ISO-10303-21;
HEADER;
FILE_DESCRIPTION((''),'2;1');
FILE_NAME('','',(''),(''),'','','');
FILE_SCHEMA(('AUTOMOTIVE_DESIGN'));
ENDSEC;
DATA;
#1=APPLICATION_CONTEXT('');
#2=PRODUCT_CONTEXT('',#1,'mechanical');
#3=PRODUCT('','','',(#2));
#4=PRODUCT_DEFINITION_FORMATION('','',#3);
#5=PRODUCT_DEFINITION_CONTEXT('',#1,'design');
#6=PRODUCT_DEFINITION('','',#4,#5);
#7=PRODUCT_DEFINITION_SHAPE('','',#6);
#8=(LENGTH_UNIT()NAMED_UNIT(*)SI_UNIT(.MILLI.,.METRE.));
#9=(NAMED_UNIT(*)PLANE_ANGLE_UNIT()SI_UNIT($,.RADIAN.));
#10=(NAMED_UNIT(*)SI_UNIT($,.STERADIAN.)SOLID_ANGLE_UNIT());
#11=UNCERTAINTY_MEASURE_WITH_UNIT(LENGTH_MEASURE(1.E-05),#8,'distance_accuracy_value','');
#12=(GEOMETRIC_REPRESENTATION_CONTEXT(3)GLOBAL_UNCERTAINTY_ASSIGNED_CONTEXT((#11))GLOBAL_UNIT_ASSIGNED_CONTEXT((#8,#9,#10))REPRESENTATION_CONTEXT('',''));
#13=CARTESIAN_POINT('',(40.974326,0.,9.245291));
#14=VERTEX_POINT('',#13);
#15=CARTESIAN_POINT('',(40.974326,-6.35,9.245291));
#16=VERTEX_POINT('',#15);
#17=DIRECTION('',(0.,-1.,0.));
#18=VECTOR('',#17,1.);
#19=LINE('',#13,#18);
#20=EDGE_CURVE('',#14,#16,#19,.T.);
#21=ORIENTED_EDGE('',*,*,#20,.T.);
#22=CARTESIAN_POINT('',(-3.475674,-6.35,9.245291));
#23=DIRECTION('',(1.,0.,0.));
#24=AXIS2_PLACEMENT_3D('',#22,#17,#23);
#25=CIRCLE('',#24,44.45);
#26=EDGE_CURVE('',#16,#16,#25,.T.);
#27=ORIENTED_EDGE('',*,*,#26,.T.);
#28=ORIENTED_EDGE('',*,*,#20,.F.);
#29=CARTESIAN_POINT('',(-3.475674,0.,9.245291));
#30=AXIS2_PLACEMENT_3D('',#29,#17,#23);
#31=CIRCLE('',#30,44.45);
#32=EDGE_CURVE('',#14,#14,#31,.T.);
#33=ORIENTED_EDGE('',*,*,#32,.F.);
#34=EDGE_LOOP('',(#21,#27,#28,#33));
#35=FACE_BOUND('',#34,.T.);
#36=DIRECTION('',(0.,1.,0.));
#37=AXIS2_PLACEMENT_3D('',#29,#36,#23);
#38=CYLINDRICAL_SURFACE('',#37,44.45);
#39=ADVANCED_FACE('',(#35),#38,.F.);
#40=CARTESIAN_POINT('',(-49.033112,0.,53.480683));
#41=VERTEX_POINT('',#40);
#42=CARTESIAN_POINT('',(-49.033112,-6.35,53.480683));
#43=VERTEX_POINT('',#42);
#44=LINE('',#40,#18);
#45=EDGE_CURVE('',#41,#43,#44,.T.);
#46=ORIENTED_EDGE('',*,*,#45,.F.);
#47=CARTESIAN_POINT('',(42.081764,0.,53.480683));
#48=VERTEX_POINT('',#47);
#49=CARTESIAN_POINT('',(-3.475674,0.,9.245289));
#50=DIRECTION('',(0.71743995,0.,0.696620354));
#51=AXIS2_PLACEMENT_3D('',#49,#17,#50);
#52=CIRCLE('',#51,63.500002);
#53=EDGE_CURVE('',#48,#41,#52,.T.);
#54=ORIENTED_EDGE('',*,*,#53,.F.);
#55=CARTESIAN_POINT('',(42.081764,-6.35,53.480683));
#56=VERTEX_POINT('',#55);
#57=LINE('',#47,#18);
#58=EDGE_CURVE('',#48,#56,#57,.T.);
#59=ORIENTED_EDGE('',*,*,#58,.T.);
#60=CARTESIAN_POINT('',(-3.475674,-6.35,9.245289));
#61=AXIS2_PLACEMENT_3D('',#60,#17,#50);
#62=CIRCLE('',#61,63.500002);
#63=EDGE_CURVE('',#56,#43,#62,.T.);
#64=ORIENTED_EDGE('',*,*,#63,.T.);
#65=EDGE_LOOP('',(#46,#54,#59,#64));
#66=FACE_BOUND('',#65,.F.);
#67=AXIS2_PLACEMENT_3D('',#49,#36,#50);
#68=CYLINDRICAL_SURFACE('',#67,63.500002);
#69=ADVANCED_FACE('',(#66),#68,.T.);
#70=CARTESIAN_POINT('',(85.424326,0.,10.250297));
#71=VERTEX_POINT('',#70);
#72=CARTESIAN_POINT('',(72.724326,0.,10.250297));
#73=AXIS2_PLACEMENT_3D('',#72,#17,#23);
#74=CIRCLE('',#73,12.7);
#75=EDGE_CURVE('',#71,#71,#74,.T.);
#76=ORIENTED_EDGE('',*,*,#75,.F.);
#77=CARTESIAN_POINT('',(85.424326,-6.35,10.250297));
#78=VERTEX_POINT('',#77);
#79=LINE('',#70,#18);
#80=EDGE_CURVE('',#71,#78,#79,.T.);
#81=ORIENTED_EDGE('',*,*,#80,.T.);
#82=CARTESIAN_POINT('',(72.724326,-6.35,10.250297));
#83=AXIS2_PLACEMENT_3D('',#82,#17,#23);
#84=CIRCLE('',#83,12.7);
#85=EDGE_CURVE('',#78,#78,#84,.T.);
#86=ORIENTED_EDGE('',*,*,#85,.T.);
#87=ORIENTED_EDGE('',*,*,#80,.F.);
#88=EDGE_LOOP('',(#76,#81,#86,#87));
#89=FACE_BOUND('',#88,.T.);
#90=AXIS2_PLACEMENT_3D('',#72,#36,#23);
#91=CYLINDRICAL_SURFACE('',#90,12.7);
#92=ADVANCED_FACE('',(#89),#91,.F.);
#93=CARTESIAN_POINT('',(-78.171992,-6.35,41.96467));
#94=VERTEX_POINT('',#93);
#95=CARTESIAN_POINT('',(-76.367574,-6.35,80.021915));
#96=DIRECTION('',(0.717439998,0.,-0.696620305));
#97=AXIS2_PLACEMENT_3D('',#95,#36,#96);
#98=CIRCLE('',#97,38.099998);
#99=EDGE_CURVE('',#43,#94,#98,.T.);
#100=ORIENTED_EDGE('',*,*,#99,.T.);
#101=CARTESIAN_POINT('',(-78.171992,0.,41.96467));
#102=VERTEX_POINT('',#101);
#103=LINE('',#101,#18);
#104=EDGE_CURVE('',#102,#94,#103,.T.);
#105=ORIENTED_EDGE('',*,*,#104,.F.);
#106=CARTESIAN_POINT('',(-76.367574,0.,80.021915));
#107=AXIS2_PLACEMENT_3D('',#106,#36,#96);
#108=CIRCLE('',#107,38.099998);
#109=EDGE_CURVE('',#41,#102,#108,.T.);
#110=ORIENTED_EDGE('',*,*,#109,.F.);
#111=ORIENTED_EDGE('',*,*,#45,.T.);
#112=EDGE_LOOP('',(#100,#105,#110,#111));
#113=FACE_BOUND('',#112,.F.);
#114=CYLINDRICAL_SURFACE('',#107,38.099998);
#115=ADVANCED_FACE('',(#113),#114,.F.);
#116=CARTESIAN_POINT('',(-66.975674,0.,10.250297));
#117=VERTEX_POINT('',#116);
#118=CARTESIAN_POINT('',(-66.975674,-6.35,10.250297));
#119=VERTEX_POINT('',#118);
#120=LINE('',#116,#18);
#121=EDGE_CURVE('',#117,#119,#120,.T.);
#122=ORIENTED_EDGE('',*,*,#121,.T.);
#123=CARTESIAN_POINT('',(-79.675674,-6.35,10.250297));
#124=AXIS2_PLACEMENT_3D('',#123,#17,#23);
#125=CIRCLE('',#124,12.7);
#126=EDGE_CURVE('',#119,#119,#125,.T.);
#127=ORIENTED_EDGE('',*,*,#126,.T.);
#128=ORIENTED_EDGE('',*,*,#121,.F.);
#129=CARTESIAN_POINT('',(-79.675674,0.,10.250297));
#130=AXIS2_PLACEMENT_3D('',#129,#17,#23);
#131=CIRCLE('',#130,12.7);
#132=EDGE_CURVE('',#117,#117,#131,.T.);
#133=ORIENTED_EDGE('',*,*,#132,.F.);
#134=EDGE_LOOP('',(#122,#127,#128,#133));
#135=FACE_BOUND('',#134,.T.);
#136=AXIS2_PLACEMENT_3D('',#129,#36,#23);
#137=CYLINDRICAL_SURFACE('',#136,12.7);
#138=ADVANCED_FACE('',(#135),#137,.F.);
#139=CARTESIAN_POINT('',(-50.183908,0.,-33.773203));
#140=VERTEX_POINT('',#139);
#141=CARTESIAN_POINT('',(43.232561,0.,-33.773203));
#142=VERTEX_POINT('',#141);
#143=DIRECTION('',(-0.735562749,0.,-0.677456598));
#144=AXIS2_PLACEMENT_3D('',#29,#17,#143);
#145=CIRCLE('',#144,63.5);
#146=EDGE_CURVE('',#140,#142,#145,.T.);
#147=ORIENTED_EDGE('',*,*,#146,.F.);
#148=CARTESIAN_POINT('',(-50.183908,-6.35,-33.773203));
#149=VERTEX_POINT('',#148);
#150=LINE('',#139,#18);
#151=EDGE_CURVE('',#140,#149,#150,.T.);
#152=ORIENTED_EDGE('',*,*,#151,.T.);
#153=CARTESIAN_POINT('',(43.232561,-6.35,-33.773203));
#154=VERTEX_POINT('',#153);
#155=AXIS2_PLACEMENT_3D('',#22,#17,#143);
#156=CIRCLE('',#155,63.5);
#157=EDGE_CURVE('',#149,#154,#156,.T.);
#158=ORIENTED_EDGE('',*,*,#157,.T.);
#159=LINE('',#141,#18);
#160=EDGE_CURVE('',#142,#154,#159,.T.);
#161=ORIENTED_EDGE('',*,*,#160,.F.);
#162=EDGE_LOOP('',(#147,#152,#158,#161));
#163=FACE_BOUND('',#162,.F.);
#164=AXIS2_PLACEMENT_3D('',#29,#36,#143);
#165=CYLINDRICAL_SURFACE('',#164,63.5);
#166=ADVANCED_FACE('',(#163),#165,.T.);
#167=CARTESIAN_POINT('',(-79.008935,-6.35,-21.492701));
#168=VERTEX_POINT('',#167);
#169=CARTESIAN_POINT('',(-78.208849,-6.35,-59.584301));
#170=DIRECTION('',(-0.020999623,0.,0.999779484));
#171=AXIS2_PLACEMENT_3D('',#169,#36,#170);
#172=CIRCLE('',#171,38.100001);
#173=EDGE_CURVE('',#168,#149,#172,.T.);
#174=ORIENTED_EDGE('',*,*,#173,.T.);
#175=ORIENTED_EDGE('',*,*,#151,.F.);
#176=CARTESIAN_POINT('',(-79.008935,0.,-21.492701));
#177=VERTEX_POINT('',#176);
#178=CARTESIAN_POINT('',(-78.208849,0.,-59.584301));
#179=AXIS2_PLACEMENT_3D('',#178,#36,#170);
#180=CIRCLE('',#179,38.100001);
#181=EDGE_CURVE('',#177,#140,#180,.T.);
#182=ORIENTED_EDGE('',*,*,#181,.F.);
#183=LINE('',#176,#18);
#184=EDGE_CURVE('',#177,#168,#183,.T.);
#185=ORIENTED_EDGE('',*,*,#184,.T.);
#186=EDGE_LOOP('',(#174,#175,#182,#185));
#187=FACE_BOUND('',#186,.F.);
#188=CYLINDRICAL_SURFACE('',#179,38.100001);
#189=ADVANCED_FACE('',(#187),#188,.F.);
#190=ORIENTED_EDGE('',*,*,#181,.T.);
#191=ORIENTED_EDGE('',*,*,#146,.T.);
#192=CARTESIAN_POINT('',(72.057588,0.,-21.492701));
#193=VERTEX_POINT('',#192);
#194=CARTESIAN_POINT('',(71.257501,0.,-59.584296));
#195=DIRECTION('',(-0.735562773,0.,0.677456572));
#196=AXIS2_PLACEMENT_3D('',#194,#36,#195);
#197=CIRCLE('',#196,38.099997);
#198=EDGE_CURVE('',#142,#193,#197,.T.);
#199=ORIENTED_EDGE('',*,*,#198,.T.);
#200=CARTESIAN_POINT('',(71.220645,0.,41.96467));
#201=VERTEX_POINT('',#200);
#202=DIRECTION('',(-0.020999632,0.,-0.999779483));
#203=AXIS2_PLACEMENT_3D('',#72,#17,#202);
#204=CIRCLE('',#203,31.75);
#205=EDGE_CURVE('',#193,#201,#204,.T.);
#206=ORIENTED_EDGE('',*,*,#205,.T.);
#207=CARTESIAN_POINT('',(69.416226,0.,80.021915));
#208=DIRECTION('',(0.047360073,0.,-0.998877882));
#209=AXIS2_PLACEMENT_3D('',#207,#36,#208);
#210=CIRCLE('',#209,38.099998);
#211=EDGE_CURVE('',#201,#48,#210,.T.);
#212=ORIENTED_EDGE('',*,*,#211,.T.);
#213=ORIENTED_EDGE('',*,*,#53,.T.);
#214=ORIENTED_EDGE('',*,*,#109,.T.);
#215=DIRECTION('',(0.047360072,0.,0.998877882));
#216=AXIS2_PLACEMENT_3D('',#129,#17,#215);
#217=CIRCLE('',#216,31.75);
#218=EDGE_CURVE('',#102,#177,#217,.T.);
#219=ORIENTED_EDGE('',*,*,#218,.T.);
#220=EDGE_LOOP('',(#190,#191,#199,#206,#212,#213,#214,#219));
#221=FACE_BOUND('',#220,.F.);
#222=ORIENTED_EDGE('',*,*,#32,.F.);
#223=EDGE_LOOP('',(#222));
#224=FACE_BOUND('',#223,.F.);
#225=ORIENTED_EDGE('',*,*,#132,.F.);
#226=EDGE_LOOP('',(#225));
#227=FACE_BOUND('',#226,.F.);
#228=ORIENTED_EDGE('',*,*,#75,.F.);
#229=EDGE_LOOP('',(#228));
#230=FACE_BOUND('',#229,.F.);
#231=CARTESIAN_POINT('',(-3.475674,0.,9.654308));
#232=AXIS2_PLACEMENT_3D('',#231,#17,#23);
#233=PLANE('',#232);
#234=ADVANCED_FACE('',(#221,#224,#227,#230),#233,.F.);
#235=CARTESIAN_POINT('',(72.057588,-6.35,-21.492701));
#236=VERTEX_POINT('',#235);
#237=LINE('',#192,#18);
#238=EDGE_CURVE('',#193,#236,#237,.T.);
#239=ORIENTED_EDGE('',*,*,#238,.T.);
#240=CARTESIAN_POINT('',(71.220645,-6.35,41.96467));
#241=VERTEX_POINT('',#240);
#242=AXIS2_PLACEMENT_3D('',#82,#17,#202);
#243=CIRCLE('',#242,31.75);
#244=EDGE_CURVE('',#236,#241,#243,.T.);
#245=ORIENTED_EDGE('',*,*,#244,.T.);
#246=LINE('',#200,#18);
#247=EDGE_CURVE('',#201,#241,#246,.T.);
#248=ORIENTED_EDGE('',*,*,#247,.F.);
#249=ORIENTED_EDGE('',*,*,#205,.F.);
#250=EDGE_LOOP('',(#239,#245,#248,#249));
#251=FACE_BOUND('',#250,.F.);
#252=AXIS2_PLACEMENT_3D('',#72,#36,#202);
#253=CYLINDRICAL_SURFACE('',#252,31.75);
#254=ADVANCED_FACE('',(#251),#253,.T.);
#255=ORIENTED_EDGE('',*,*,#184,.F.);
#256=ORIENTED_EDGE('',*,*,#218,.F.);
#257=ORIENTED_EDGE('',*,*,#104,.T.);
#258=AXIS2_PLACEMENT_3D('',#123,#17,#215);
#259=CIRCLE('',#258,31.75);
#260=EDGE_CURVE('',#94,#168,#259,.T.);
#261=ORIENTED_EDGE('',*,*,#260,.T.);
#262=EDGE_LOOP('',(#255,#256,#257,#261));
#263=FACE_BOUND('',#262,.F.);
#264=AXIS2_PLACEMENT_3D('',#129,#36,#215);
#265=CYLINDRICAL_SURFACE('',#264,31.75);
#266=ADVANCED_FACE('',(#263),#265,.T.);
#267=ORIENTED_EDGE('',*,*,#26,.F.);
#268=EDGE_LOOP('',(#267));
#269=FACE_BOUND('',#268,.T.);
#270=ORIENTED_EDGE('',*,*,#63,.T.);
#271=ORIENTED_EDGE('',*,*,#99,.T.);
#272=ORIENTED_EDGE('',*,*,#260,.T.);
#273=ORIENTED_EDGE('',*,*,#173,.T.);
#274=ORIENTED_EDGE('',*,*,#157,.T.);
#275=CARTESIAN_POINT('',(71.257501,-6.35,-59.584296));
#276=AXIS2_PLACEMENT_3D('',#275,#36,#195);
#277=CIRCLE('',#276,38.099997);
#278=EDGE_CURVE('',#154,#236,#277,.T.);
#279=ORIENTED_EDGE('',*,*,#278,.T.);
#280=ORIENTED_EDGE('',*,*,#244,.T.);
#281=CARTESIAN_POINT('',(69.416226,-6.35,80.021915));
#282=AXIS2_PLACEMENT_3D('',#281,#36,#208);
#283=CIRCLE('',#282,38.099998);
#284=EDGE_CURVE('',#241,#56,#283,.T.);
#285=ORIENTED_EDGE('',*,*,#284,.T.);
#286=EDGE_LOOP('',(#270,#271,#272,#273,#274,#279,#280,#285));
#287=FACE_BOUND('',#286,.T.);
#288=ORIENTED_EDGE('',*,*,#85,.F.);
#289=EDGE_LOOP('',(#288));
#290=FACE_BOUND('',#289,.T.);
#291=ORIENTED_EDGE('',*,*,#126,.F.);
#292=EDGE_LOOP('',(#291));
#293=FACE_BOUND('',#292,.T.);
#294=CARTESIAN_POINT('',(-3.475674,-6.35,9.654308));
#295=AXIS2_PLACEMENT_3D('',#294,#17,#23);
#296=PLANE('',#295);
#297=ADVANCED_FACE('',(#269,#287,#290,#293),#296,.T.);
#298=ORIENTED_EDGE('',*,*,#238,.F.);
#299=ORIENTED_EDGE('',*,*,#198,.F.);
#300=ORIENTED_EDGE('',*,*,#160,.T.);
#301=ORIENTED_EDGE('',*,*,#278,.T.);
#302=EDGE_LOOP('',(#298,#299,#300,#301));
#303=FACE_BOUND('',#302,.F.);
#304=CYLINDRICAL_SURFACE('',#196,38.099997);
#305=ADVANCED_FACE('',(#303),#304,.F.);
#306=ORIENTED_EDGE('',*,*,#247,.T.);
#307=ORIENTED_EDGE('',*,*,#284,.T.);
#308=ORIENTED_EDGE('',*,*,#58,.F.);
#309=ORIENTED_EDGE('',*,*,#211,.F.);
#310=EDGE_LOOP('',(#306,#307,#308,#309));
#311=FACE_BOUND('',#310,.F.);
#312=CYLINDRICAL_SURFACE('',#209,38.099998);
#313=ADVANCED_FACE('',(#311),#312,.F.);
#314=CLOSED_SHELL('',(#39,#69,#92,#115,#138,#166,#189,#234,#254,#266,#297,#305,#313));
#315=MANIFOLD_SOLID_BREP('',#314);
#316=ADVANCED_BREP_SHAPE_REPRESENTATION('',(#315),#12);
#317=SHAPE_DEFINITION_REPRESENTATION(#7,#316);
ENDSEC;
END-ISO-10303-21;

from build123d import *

# Parameters (mm, degrees)
F0_R     = 12.7
F0_R_2   = 44.45
F1_DEPTH = 6.35


with BuildPart() as f1:
    # F0 (on Front) → F1 (new body)
    with BuildSketch(Plane.XZ):
        with BuildLine():
            ThreePointArc((-79.008935, -21.492701), (-63.275636, -24.532778), (-50.183908, -33.773203))
            ThreePointArc((-50.183908, -33.773203), (-3.475674, -54.254709), (43.232561, -33.773203))
            ThreePointArc((43.232561, -33.773203), (56.324288, -24.532778), (72.057588, -21.492701))
            ThreePointArc((72.057588, -21.492701), (104.471565, 10.669013), (71.220645, 41.96467))
            ThreePointArc((71.220645, 41.96467), (55.41264, 44.588747), (42.081764, 53.480683))
            ThreePointArc((42.081764, 53.480683), (-3.475674, 72.745291), (-49.033112, 53.480683))
            ThreePointArc((-49.033112, 53.480683), (-62.363988, 44.588747), (-78.171992, 41.96467))
            ThreePointArc((-78.171992, 41.96467), (-111.422913, 10.669013), (-79.008935, -21.492701))
        make_face()
        with Locations((-79.675674, 10.250297)):
            Circle(F0_R, mode=Mode.SUBTRACT)
        with Locations((-3.475674, 9.245291)):
            Circle(F0_R_2, mode=Mode.SUBTRACT)
        with Locations((72.724326, 10.250297)):
            Circle(F0_R, mode=Mode.SUBTRACT)
    extrude(amount=F1_DEPTH)


solid = f1.part
